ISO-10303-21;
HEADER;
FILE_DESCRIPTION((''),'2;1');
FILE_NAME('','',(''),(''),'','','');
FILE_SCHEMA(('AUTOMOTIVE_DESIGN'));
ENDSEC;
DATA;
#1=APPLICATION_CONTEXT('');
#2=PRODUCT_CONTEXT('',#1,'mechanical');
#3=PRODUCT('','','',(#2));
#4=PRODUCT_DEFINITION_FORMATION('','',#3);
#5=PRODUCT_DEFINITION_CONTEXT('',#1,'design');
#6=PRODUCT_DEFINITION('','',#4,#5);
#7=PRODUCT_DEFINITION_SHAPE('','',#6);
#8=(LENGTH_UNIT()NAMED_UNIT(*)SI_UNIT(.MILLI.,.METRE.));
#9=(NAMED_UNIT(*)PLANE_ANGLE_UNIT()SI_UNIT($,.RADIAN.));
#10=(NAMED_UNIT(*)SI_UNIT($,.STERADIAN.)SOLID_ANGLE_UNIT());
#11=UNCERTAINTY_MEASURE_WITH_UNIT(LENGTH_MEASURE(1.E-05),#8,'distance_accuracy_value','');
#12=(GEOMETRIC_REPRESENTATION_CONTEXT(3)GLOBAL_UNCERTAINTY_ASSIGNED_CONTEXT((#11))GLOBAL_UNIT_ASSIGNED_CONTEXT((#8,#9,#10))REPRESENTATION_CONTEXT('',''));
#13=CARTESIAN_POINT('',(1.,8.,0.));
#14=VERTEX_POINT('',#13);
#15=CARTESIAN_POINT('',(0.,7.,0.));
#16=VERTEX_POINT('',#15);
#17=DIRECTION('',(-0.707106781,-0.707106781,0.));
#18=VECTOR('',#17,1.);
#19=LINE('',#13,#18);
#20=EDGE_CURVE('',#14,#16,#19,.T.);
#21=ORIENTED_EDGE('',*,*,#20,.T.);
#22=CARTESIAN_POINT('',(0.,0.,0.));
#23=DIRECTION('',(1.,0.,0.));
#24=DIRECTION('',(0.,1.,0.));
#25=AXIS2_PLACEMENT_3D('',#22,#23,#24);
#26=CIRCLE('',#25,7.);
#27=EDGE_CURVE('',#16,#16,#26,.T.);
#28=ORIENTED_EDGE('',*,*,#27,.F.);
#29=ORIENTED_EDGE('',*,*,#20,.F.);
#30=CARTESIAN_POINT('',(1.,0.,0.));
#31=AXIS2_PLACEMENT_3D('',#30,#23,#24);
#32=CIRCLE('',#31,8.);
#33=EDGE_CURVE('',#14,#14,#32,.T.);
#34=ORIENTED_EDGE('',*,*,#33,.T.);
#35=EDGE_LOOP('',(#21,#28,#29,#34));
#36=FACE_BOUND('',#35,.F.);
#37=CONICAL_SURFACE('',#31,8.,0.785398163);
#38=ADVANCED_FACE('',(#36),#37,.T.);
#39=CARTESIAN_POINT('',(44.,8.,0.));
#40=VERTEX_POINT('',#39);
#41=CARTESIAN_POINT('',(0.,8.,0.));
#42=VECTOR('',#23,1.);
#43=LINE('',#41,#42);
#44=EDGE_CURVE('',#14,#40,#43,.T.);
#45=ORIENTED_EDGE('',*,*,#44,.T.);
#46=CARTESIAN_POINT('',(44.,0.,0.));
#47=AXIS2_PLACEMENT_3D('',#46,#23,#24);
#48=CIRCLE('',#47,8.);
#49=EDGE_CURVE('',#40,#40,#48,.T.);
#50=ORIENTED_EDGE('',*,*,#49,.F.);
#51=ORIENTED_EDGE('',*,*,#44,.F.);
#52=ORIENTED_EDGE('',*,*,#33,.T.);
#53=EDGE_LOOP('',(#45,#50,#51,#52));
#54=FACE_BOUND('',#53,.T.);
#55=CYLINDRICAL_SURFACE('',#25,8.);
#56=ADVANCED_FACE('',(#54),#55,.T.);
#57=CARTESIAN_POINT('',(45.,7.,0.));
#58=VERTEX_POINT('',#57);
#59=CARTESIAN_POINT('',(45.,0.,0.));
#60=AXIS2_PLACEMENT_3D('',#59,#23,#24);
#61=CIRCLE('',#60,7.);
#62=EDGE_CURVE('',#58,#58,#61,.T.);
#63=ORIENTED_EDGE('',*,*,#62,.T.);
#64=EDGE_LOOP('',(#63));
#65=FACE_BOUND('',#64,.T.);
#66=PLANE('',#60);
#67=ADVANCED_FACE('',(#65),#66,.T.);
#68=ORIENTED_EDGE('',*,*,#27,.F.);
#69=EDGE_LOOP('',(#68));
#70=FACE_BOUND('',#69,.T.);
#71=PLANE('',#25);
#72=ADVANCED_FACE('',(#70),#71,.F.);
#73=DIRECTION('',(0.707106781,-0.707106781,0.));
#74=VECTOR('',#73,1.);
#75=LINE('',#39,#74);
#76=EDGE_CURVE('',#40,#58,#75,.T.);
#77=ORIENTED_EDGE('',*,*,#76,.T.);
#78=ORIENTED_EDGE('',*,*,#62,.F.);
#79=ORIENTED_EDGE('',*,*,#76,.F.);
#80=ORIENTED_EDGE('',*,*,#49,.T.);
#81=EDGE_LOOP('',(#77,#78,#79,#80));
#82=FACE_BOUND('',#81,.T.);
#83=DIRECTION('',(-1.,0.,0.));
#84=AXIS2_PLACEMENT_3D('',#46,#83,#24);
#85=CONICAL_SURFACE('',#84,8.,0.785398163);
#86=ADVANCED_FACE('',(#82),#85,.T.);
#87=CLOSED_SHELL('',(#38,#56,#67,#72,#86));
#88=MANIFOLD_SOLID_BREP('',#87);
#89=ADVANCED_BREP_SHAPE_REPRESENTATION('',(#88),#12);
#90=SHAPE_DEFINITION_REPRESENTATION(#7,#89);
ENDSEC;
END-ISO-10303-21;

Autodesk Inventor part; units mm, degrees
ref_plane "YZ Plane" through (0, 0, 0) normal (1, 0, 0) x (0, 1, 0)
ref_plane "XZ Plane" through (0, 0, 0) normal (0, 1, 0) x (-1, 0, 0)
ref_plane "XY Plane" through (0, 0, 0) normal (0, 0, 1) x (1, 0, 0)
sketch "Эскиз1" plane through (0, 0, 0) normal (0, 0, 1) x (1, 0, 0)
  line L0 (0, 0) -> (0, 8)
  line L1 (0, 8) -> (45, 8)
  line L2 (45, 8) -> (45, 0)
  line L3 (0, 0) -> (45, 0)
  dimension "d0" = 45
  dimension "d1" = 16
revolve "Вращение1" add sketch "Эскиз1" angle 360 about axis through (0, 0, 0) along (1, 0, 0)
thread "Резьба1" size "M16x2" class "6g" standard "ANSI Metric M Profile" length 20
chamfer "Фаска1" distance 1 angle 45 1 edges at (45, -8, 0)
thread "Резьба2" size "M16x2" class "6g" standard "ANSI Metric M Profile" length 14
chamfer "Фаска2" distance 1 angle 45 1 edges at (0, -8, 0)
properties part number "Шпилька"
